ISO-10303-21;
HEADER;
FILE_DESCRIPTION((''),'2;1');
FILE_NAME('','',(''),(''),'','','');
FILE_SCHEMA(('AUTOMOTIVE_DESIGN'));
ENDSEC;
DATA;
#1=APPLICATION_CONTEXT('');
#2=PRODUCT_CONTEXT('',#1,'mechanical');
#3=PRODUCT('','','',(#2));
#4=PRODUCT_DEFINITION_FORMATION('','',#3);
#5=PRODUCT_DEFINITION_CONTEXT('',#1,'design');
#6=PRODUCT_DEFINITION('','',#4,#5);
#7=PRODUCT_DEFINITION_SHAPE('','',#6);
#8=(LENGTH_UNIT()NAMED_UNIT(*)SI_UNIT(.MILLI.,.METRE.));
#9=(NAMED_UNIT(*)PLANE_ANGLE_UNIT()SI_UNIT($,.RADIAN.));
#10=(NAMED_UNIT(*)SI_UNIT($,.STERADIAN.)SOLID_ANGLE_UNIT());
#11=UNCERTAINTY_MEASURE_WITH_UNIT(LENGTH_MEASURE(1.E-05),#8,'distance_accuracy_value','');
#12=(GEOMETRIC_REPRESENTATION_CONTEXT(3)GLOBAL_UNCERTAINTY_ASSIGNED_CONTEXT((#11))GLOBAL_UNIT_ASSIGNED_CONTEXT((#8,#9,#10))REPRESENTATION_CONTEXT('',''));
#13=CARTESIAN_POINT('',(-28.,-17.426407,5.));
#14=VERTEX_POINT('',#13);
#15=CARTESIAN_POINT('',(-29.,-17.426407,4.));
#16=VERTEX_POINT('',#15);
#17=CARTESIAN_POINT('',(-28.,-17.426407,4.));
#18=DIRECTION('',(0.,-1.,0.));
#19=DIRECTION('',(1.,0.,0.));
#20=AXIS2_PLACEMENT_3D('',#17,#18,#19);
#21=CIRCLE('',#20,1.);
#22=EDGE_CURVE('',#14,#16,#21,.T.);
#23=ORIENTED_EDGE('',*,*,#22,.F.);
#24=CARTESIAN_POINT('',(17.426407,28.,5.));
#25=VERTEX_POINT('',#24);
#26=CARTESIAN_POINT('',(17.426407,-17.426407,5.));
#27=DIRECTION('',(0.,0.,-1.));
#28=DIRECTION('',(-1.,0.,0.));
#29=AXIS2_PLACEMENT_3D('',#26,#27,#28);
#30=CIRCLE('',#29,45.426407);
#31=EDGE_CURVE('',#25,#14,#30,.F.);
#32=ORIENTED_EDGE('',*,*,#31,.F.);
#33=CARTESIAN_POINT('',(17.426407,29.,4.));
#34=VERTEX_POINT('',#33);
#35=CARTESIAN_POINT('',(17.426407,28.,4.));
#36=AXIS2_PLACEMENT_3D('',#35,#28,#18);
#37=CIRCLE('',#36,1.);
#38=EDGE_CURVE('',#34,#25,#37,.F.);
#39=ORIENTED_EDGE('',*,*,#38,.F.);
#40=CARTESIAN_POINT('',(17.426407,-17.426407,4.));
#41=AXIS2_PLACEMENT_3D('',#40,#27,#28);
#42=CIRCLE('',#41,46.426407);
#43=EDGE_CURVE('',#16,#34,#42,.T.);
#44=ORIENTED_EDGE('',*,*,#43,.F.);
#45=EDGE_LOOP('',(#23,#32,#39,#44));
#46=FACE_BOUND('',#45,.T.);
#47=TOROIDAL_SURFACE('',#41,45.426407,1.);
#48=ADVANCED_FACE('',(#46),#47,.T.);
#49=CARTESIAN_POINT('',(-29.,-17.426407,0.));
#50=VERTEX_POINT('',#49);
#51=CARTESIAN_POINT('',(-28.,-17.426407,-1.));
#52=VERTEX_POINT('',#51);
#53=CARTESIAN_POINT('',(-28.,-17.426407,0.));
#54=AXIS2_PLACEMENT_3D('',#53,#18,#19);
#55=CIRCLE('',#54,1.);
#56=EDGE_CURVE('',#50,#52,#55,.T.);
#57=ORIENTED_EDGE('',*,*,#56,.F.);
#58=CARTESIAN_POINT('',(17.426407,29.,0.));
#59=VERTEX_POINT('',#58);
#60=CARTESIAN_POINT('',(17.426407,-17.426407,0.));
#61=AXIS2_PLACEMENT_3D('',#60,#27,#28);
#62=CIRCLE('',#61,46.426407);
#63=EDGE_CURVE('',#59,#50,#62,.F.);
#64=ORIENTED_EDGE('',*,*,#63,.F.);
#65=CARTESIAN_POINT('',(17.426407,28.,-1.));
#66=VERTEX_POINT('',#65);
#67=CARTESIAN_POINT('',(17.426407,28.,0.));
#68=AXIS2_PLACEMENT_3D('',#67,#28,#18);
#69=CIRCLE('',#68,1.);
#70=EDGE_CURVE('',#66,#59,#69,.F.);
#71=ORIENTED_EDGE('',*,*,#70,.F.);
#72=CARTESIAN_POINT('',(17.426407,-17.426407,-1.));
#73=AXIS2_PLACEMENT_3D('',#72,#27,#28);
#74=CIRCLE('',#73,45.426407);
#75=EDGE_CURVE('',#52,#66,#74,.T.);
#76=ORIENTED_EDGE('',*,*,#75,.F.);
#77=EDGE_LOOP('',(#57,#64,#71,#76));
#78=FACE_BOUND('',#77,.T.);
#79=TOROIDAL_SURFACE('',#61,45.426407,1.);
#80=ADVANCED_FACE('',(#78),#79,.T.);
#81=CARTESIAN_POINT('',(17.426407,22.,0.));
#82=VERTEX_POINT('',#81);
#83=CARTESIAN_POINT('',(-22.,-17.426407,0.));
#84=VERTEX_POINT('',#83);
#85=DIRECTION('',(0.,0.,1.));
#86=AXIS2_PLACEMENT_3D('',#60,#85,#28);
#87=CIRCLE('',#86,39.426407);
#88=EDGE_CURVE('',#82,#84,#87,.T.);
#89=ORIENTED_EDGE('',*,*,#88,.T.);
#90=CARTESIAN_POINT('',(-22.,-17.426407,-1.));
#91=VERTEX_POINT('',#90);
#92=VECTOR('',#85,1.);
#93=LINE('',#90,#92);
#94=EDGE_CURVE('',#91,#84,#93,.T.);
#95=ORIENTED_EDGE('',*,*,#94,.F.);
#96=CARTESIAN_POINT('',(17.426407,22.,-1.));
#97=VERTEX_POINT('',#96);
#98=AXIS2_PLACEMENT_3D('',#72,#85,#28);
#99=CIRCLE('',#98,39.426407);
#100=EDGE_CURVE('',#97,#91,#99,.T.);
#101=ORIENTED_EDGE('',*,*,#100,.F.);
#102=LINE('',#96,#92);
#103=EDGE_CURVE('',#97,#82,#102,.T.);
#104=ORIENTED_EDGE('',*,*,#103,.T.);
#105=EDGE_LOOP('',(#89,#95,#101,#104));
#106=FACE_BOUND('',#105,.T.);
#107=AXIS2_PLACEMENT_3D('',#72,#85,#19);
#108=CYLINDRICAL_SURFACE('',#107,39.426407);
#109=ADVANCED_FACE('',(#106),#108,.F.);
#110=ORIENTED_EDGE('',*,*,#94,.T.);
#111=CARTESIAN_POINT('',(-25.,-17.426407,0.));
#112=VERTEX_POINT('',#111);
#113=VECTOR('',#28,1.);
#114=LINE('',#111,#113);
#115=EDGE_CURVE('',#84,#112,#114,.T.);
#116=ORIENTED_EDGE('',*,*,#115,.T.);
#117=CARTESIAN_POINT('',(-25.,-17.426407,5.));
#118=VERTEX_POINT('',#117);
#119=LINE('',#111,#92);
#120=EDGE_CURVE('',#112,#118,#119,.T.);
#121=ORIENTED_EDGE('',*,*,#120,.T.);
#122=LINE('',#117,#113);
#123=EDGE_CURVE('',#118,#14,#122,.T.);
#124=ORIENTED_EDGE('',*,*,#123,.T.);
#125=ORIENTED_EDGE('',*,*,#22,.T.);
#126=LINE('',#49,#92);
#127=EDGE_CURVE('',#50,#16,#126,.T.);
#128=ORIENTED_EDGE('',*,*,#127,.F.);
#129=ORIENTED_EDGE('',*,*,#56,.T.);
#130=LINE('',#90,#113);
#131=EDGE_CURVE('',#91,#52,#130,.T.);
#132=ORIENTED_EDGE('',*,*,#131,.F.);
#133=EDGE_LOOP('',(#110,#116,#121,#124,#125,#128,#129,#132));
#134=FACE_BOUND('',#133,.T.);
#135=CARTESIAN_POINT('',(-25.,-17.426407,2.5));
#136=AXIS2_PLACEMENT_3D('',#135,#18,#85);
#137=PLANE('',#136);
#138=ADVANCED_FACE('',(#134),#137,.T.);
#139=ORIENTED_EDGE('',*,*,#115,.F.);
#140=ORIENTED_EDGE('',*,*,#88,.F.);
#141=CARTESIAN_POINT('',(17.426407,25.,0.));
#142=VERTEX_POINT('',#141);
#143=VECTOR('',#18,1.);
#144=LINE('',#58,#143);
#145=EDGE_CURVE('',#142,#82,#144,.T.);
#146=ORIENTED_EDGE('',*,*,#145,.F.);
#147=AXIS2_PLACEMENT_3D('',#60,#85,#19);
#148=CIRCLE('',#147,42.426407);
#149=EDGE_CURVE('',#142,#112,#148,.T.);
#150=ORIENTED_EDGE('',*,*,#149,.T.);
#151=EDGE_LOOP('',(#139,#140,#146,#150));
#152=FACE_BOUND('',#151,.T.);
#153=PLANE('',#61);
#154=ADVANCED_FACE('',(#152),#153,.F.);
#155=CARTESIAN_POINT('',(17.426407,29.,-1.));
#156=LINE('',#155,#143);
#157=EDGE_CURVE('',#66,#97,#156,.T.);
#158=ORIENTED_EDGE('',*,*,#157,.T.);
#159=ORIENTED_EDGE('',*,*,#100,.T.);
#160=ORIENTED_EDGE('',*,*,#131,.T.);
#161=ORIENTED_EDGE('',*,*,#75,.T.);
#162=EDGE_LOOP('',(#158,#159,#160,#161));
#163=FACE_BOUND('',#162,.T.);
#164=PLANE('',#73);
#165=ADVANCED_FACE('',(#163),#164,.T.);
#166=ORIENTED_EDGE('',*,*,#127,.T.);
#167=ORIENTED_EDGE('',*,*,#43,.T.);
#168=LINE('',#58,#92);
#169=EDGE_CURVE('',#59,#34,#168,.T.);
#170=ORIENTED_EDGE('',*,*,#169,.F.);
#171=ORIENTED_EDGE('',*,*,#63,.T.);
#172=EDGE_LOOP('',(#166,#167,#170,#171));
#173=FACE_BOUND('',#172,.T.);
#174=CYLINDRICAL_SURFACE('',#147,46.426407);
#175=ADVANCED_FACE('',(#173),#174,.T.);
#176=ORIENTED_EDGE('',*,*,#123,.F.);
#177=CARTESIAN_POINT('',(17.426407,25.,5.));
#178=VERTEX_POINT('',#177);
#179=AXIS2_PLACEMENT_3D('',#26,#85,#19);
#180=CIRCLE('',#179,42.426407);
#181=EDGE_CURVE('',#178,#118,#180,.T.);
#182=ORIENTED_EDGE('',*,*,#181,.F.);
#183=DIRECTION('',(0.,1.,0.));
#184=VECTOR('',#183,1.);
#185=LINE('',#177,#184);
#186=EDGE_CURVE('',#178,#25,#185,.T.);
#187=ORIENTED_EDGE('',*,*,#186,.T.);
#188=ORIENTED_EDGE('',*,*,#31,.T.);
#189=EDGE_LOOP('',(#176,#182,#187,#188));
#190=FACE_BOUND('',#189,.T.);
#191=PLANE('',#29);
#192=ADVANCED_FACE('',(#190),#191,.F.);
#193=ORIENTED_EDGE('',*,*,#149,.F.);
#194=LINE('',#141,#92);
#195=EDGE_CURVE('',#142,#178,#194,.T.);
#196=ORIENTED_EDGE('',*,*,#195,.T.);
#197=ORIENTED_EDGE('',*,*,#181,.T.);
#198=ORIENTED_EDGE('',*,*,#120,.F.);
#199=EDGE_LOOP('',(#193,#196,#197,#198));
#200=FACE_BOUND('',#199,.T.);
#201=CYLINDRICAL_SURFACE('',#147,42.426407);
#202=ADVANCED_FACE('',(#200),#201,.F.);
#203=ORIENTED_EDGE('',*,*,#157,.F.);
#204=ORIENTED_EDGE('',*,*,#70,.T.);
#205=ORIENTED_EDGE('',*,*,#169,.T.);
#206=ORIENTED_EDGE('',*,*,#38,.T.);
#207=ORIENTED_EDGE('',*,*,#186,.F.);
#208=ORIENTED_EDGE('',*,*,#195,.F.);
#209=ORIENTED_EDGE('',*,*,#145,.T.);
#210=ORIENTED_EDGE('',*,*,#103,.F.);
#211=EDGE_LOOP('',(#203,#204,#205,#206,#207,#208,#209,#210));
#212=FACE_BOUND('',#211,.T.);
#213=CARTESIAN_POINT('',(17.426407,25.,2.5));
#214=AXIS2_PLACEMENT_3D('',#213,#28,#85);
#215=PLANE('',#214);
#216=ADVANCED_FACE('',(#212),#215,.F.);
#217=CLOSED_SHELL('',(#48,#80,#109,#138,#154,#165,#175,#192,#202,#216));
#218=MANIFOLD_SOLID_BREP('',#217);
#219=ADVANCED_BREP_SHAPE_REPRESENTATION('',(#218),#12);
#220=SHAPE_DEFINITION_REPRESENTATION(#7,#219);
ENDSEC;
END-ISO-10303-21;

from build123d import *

# Parameters (mm, degrees)
SURFACE_EXTRUDE1_1_DEPTH = 5
THICKEN1_T2              = 4
BOSS_EXTRUDE1_DEPTH      = 1
FILLET1_R                = 1


with BuildPart() as body_1:
    # Surface-Extrude1: a surface, the sketch's curves swept straight by 5 mm
    with BuildLine(Plane.XY, mode=Mode.PRIVATE) as surface_extrude1_1_path:
        ThreePointArc((17.426406871192846, 25.000000000000007), (-12.573593128807143, 12.573593128807161), (-24.999999999999993, -17.42640687119283))
    surface_extrude1_1 = Shell.extrude(surface_extrude1_1_path.wire(), (0 * SURFACE_EXTRUDE1_1_DEPTH, 0 * SURFACE_EXTRUDE1_1_DEPTH, 1 * SURFACE_EXTRUDE1_1_DEPTH))
    add(Solid.thicken(surface_extrude1_1, -THICKEN1_T2))

    # Sketch2 → Boss-Extrude1 (add)
    with BuildSketch(Plane(origin=(0, 0, 0), x_dir=(-1, 0, 0), z_dir=(0, 0, -1))):
        with BuildLine():
            Line((-17.42640687119285, 29.00000000000001), (-17.426406871192853, 22.000000000000007))
            ThreePointArc((-17.426406871192853, 22.000000000000007), (10.452272785247494, 10.452272785247523), (21.999999999999993, -17.426406871192828))
            Line((21.999999999999993, -17.426406871192828), (24.999999999999993, -17.42640687119283))
            Line((24.999999999999993, -17.42640687119283), (28.999999999999996, -17.426406871192825))
            ThreePointArc((28.999999999999996, -17.426406871192825), (15.402020253553331, 15.402020253553353), (-17.42640687119285, 29.00000000000001))
        make_face()
    extrude(amount=BOSS_EXTRUDE1_DEPTH)

    # Fillet1
    fillet1_edges = [body_1.edges().sort_by_distance(p)[0] for p in [
        (-15.402020253553328, 15.40202025355335, 5),
        (-15.402020253553342, 15.40202025355336, -1),
    ]]
    fillet(fillet1_edges, radius=FILLET1_R)


solid = body_1.part
